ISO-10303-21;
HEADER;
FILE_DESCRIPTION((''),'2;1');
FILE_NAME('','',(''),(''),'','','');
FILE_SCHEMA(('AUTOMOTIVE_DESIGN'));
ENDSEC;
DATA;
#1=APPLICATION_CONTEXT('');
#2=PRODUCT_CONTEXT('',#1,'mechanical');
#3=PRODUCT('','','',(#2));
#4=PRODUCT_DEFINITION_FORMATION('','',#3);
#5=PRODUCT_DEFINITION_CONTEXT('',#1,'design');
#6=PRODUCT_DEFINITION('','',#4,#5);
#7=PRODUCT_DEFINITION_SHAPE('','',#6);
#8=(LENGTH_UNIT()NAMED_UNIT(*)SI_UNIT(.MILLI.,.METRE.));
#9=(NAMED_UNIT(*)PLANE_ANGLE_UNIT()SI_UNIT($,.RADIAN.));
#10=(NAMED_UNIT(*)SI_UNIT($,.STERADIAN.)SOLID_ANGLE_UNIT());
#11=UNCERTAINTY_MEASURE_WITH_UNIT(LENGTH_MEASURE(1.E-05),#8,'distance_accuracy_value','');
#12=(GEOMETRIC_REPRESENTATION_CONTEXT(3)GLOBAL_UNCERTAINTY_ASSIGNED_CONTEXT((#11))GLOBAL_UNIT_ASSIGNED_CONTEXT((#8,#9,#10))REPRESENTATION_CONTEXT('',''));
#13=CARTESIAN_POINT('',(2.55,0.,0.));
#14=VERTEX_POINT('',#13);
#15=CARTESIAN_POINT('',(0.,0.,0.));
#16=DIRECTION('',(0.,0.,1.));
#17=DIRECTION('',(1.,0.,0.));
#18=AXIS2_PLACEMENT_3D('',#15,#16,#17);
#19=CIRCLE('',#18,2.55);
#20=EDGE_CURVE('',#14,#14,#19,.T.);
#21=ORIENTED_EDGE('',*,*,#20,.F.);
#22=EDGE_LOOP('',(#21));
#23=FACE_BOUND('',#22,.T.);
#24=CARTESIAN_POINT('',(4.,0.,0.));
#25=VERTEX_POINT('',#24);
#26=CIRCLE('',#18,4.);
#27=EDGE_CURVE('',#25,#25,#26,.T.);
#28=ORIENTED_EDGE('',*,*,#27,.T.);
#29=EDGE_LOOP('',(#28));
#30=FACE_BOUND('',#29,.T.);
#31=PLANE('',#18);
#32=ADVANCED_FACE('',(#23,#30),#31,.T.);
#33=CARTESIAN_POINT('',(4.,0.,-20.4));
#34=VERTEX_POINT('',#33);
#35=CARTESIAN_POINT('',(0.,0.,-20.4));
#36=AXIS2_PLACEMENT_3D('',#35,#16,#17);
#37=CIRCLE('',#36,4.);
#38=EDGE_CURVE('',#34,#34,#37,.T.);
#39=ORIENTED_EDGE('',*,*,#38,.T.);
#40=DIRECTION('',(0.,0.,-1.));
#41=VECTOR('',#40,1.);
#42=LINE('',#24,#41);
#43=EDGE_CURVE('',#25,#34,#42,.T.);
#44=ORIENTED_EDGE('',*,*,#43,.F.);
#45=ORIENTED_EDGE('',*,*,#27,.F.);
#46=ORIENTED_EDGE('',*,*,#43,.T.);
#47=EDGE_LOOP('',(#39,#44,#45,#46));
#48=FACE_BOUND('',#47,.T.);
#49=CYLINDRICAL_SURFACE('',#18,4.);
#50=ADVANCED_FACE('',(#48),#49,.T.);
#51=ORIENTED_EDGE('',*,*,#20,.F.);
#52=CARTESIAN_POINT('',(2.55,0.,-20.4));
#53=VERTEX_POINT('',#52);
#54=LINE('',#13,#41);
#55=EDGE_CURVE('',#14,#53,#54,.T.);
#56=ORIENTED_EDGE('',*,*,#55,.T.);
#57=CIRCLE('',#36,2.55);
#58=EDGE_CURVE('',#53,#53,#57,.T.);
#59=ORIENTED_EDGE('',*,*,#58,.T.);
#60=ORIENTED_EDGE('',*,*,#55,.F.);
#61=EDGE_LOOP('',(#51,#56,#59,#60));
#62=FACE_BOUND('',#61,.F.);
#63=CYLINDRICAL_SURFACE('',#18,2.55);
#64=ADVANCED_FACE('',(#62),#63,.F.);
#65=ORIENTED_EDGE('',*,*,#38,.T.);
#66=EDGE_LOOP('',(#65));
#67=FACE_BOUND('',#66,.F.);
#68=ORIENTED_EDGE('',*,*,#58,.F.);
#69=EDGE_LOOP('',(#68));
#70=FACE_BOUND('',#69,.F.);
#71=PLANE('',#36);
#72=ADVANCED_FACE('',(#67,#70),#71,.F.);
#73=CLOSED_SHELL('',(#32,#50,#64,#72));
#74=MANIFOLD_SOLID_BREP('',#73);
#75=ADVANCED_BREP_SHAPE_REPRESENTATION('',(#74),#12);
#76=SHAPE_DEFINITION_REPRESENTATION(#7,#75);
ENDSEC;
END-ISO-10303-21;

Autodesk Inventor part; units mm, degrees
ref_plane "YZ Plane" through (0, 0, 0) normal (1, 0, 0) x (0, 1, 0)
ref_plane "XZ Plane" through (0, 0, 0) normal (0, 1, 0) x (-1, 0, 0)
ref_plane "XY Plane" through (0, 0, 0) normal (0, 0, 1) x (1, 0, 0)
sketch "Sketch1" plane through (0, 0, 0) normal (0, 0, 1) x (1, 0, 0)
  circle A0 centre (0, 0) radius 4
  circle A1 centre (0, 0) radius 2.55
  dimension "d0" = 8
  dimension "d1" = 5.1
extrude "Extrusion1" add sketch "Sketch1" against normal blind 20.4
properties part number "BigGearShaft"
